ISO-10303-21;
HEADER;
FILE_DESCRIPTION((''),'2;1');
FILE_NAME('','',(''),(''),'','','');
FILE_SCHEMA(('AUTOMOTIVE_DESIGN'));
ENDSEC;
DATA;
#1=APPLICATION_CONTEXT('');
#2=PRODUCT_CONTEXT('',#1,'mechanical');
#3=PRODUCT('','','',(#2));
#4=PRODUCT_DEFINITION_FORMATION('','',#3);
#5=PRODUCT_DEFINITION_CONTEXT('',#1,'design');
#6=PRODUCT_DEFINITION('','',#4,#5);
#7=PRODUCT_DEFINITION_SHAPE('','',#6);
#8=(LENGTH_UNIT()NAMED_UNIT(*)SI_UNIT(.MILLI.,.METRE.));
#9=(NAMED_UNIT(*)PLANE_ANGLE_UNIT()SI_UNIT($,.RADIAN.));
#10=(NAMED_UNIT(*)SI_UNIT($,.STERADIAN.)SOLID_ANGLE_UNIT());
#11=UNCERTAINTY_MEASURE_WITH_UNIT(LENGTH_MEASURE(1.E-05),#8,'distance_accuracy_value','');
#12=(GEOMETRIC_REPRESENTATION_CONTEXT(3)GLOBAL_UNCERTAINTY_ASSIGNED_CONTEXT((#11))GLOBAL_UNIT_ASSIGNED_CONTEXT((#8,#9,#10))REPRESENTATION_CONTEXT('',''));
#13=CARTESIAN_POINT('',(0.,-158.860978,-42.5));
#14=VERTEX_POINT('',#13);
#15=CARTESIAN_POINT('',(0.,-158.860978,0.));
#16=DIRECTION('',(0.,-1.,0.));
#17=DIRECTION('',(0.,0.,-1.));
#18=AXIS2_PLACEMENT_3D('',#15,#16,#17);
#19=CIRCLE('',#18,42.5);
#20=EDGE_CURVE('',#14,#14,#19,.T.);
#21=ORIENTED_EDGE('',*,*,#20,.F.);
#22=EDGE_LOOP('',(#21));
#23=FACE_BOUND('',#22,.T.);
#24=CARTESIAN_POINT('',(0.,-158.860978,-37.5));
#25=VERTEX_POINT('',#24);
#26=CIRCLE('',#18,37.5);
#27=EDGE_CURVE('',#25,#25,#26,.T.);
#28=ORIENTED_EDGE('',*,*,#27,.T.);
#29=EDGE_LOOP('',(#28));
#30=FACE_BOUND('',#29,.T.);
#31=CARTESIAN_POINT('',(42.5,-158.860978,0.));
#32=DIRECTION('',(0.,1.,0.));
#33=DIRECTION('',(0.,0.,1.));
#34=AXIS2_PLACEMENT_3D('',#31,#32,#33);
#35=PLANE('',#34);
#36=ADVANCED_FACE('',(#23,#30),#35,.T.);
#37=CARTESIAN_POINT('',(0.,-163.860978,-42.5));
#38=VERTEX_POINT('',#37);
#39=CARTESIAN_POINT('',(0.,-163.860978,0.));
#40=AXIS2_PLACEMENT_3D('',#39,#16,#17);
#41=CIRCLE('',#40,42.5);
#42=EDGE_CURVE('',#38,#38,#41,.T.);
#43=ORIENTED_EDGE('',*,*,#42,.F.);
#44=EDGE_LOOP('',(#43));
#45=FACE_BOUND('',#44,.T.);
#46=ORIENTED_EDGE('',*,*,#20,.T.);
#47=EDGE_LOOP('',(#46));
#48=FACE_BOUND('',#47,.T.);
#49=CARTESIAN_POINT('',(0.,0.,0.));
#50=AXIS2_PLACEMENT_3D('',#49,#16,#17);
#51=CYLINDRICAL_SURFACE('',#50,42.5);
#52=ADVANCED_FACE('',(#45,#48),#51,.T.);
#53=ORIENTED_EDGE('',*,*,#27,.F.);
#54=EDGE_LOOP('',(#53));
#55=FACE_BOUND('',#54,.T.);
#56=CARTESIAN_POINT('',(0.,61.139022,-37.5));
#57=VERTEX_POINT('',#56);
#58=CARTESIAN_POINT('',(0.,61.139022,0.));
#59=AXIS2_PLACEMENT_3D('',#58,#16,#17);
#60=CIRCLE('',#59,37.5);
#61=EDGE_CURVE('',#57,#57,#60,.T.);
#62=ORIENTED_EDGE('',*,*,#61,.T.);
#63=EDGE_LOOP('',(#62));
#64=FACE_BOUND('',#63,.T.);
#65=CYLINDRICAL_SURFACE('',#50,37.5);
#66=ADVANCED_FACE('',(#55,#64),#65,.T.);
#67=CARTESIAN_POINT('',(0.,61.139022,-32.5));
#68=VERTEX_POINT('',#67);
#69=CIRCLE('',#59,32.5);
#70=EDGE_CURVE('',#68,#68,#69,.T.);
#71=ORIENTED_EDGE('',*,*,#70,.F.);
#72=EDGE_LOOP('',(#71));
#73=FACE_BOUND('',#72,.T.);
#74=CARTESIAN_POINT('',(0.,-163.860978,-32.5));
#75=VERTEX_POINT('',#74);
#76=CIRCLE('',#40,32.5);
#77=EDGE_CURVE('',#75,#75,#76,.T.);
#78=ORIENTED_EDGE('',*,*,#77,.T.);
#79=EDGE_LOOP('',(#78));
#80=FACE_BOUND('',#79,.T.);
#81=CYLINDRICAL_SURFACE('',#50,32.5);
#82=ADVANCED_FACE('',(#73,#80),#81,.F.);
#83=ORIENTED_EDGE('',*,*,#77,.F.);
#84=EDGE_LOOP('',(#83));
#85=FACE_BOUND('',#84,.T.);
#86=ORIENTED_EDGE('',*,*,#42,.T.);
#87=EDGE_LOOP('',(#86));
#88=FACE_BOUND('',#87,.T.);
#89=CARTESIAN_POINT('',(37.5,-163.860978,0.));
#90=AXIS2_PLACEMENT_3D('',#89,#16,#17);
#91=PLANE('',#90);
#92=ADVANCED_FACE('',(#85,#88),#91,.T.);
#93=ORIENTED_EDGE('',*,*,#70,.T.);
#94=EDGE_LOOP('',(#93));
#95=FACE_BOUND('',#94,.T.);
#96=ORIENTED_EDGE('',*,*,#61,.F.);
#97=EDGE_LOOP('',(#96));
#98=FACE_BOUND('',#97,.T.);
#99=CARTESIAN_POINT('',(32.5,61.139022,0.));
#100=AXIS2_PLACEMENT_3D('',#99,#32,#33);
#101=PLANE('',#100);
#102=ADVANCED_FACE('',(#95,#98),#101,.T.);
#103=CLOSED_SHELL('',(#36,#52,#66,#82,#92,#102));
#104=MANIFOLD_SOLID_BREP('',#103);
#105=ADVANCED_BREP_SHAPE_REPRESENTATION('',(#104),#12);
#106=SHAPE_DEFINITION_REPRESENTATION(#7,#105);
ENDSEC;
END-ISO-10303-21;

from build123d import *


with BuildPart() as part:
    # Sketch1 → Revolve1 (revolve)
    with BuildSketch(Plane.XY, mode=Mode.PRIVATE) as revolve1_sk:
        Polygon((32.5, -163.860978422), (32.5, 61.139021578), (37.5, 61.139021578), (37.5, -158.860978422), (42.5, -158.860978422), (42.5, -163.860978422), (37.5, -163.860978422), align=None)
    revolve(revolve1_sk.sketch.rotate(Axis((0, 0, 0), (0, 1, 0)), 90), axis=Axis((0, 0, 0), (0, 1, 0)))


solid = part.part
